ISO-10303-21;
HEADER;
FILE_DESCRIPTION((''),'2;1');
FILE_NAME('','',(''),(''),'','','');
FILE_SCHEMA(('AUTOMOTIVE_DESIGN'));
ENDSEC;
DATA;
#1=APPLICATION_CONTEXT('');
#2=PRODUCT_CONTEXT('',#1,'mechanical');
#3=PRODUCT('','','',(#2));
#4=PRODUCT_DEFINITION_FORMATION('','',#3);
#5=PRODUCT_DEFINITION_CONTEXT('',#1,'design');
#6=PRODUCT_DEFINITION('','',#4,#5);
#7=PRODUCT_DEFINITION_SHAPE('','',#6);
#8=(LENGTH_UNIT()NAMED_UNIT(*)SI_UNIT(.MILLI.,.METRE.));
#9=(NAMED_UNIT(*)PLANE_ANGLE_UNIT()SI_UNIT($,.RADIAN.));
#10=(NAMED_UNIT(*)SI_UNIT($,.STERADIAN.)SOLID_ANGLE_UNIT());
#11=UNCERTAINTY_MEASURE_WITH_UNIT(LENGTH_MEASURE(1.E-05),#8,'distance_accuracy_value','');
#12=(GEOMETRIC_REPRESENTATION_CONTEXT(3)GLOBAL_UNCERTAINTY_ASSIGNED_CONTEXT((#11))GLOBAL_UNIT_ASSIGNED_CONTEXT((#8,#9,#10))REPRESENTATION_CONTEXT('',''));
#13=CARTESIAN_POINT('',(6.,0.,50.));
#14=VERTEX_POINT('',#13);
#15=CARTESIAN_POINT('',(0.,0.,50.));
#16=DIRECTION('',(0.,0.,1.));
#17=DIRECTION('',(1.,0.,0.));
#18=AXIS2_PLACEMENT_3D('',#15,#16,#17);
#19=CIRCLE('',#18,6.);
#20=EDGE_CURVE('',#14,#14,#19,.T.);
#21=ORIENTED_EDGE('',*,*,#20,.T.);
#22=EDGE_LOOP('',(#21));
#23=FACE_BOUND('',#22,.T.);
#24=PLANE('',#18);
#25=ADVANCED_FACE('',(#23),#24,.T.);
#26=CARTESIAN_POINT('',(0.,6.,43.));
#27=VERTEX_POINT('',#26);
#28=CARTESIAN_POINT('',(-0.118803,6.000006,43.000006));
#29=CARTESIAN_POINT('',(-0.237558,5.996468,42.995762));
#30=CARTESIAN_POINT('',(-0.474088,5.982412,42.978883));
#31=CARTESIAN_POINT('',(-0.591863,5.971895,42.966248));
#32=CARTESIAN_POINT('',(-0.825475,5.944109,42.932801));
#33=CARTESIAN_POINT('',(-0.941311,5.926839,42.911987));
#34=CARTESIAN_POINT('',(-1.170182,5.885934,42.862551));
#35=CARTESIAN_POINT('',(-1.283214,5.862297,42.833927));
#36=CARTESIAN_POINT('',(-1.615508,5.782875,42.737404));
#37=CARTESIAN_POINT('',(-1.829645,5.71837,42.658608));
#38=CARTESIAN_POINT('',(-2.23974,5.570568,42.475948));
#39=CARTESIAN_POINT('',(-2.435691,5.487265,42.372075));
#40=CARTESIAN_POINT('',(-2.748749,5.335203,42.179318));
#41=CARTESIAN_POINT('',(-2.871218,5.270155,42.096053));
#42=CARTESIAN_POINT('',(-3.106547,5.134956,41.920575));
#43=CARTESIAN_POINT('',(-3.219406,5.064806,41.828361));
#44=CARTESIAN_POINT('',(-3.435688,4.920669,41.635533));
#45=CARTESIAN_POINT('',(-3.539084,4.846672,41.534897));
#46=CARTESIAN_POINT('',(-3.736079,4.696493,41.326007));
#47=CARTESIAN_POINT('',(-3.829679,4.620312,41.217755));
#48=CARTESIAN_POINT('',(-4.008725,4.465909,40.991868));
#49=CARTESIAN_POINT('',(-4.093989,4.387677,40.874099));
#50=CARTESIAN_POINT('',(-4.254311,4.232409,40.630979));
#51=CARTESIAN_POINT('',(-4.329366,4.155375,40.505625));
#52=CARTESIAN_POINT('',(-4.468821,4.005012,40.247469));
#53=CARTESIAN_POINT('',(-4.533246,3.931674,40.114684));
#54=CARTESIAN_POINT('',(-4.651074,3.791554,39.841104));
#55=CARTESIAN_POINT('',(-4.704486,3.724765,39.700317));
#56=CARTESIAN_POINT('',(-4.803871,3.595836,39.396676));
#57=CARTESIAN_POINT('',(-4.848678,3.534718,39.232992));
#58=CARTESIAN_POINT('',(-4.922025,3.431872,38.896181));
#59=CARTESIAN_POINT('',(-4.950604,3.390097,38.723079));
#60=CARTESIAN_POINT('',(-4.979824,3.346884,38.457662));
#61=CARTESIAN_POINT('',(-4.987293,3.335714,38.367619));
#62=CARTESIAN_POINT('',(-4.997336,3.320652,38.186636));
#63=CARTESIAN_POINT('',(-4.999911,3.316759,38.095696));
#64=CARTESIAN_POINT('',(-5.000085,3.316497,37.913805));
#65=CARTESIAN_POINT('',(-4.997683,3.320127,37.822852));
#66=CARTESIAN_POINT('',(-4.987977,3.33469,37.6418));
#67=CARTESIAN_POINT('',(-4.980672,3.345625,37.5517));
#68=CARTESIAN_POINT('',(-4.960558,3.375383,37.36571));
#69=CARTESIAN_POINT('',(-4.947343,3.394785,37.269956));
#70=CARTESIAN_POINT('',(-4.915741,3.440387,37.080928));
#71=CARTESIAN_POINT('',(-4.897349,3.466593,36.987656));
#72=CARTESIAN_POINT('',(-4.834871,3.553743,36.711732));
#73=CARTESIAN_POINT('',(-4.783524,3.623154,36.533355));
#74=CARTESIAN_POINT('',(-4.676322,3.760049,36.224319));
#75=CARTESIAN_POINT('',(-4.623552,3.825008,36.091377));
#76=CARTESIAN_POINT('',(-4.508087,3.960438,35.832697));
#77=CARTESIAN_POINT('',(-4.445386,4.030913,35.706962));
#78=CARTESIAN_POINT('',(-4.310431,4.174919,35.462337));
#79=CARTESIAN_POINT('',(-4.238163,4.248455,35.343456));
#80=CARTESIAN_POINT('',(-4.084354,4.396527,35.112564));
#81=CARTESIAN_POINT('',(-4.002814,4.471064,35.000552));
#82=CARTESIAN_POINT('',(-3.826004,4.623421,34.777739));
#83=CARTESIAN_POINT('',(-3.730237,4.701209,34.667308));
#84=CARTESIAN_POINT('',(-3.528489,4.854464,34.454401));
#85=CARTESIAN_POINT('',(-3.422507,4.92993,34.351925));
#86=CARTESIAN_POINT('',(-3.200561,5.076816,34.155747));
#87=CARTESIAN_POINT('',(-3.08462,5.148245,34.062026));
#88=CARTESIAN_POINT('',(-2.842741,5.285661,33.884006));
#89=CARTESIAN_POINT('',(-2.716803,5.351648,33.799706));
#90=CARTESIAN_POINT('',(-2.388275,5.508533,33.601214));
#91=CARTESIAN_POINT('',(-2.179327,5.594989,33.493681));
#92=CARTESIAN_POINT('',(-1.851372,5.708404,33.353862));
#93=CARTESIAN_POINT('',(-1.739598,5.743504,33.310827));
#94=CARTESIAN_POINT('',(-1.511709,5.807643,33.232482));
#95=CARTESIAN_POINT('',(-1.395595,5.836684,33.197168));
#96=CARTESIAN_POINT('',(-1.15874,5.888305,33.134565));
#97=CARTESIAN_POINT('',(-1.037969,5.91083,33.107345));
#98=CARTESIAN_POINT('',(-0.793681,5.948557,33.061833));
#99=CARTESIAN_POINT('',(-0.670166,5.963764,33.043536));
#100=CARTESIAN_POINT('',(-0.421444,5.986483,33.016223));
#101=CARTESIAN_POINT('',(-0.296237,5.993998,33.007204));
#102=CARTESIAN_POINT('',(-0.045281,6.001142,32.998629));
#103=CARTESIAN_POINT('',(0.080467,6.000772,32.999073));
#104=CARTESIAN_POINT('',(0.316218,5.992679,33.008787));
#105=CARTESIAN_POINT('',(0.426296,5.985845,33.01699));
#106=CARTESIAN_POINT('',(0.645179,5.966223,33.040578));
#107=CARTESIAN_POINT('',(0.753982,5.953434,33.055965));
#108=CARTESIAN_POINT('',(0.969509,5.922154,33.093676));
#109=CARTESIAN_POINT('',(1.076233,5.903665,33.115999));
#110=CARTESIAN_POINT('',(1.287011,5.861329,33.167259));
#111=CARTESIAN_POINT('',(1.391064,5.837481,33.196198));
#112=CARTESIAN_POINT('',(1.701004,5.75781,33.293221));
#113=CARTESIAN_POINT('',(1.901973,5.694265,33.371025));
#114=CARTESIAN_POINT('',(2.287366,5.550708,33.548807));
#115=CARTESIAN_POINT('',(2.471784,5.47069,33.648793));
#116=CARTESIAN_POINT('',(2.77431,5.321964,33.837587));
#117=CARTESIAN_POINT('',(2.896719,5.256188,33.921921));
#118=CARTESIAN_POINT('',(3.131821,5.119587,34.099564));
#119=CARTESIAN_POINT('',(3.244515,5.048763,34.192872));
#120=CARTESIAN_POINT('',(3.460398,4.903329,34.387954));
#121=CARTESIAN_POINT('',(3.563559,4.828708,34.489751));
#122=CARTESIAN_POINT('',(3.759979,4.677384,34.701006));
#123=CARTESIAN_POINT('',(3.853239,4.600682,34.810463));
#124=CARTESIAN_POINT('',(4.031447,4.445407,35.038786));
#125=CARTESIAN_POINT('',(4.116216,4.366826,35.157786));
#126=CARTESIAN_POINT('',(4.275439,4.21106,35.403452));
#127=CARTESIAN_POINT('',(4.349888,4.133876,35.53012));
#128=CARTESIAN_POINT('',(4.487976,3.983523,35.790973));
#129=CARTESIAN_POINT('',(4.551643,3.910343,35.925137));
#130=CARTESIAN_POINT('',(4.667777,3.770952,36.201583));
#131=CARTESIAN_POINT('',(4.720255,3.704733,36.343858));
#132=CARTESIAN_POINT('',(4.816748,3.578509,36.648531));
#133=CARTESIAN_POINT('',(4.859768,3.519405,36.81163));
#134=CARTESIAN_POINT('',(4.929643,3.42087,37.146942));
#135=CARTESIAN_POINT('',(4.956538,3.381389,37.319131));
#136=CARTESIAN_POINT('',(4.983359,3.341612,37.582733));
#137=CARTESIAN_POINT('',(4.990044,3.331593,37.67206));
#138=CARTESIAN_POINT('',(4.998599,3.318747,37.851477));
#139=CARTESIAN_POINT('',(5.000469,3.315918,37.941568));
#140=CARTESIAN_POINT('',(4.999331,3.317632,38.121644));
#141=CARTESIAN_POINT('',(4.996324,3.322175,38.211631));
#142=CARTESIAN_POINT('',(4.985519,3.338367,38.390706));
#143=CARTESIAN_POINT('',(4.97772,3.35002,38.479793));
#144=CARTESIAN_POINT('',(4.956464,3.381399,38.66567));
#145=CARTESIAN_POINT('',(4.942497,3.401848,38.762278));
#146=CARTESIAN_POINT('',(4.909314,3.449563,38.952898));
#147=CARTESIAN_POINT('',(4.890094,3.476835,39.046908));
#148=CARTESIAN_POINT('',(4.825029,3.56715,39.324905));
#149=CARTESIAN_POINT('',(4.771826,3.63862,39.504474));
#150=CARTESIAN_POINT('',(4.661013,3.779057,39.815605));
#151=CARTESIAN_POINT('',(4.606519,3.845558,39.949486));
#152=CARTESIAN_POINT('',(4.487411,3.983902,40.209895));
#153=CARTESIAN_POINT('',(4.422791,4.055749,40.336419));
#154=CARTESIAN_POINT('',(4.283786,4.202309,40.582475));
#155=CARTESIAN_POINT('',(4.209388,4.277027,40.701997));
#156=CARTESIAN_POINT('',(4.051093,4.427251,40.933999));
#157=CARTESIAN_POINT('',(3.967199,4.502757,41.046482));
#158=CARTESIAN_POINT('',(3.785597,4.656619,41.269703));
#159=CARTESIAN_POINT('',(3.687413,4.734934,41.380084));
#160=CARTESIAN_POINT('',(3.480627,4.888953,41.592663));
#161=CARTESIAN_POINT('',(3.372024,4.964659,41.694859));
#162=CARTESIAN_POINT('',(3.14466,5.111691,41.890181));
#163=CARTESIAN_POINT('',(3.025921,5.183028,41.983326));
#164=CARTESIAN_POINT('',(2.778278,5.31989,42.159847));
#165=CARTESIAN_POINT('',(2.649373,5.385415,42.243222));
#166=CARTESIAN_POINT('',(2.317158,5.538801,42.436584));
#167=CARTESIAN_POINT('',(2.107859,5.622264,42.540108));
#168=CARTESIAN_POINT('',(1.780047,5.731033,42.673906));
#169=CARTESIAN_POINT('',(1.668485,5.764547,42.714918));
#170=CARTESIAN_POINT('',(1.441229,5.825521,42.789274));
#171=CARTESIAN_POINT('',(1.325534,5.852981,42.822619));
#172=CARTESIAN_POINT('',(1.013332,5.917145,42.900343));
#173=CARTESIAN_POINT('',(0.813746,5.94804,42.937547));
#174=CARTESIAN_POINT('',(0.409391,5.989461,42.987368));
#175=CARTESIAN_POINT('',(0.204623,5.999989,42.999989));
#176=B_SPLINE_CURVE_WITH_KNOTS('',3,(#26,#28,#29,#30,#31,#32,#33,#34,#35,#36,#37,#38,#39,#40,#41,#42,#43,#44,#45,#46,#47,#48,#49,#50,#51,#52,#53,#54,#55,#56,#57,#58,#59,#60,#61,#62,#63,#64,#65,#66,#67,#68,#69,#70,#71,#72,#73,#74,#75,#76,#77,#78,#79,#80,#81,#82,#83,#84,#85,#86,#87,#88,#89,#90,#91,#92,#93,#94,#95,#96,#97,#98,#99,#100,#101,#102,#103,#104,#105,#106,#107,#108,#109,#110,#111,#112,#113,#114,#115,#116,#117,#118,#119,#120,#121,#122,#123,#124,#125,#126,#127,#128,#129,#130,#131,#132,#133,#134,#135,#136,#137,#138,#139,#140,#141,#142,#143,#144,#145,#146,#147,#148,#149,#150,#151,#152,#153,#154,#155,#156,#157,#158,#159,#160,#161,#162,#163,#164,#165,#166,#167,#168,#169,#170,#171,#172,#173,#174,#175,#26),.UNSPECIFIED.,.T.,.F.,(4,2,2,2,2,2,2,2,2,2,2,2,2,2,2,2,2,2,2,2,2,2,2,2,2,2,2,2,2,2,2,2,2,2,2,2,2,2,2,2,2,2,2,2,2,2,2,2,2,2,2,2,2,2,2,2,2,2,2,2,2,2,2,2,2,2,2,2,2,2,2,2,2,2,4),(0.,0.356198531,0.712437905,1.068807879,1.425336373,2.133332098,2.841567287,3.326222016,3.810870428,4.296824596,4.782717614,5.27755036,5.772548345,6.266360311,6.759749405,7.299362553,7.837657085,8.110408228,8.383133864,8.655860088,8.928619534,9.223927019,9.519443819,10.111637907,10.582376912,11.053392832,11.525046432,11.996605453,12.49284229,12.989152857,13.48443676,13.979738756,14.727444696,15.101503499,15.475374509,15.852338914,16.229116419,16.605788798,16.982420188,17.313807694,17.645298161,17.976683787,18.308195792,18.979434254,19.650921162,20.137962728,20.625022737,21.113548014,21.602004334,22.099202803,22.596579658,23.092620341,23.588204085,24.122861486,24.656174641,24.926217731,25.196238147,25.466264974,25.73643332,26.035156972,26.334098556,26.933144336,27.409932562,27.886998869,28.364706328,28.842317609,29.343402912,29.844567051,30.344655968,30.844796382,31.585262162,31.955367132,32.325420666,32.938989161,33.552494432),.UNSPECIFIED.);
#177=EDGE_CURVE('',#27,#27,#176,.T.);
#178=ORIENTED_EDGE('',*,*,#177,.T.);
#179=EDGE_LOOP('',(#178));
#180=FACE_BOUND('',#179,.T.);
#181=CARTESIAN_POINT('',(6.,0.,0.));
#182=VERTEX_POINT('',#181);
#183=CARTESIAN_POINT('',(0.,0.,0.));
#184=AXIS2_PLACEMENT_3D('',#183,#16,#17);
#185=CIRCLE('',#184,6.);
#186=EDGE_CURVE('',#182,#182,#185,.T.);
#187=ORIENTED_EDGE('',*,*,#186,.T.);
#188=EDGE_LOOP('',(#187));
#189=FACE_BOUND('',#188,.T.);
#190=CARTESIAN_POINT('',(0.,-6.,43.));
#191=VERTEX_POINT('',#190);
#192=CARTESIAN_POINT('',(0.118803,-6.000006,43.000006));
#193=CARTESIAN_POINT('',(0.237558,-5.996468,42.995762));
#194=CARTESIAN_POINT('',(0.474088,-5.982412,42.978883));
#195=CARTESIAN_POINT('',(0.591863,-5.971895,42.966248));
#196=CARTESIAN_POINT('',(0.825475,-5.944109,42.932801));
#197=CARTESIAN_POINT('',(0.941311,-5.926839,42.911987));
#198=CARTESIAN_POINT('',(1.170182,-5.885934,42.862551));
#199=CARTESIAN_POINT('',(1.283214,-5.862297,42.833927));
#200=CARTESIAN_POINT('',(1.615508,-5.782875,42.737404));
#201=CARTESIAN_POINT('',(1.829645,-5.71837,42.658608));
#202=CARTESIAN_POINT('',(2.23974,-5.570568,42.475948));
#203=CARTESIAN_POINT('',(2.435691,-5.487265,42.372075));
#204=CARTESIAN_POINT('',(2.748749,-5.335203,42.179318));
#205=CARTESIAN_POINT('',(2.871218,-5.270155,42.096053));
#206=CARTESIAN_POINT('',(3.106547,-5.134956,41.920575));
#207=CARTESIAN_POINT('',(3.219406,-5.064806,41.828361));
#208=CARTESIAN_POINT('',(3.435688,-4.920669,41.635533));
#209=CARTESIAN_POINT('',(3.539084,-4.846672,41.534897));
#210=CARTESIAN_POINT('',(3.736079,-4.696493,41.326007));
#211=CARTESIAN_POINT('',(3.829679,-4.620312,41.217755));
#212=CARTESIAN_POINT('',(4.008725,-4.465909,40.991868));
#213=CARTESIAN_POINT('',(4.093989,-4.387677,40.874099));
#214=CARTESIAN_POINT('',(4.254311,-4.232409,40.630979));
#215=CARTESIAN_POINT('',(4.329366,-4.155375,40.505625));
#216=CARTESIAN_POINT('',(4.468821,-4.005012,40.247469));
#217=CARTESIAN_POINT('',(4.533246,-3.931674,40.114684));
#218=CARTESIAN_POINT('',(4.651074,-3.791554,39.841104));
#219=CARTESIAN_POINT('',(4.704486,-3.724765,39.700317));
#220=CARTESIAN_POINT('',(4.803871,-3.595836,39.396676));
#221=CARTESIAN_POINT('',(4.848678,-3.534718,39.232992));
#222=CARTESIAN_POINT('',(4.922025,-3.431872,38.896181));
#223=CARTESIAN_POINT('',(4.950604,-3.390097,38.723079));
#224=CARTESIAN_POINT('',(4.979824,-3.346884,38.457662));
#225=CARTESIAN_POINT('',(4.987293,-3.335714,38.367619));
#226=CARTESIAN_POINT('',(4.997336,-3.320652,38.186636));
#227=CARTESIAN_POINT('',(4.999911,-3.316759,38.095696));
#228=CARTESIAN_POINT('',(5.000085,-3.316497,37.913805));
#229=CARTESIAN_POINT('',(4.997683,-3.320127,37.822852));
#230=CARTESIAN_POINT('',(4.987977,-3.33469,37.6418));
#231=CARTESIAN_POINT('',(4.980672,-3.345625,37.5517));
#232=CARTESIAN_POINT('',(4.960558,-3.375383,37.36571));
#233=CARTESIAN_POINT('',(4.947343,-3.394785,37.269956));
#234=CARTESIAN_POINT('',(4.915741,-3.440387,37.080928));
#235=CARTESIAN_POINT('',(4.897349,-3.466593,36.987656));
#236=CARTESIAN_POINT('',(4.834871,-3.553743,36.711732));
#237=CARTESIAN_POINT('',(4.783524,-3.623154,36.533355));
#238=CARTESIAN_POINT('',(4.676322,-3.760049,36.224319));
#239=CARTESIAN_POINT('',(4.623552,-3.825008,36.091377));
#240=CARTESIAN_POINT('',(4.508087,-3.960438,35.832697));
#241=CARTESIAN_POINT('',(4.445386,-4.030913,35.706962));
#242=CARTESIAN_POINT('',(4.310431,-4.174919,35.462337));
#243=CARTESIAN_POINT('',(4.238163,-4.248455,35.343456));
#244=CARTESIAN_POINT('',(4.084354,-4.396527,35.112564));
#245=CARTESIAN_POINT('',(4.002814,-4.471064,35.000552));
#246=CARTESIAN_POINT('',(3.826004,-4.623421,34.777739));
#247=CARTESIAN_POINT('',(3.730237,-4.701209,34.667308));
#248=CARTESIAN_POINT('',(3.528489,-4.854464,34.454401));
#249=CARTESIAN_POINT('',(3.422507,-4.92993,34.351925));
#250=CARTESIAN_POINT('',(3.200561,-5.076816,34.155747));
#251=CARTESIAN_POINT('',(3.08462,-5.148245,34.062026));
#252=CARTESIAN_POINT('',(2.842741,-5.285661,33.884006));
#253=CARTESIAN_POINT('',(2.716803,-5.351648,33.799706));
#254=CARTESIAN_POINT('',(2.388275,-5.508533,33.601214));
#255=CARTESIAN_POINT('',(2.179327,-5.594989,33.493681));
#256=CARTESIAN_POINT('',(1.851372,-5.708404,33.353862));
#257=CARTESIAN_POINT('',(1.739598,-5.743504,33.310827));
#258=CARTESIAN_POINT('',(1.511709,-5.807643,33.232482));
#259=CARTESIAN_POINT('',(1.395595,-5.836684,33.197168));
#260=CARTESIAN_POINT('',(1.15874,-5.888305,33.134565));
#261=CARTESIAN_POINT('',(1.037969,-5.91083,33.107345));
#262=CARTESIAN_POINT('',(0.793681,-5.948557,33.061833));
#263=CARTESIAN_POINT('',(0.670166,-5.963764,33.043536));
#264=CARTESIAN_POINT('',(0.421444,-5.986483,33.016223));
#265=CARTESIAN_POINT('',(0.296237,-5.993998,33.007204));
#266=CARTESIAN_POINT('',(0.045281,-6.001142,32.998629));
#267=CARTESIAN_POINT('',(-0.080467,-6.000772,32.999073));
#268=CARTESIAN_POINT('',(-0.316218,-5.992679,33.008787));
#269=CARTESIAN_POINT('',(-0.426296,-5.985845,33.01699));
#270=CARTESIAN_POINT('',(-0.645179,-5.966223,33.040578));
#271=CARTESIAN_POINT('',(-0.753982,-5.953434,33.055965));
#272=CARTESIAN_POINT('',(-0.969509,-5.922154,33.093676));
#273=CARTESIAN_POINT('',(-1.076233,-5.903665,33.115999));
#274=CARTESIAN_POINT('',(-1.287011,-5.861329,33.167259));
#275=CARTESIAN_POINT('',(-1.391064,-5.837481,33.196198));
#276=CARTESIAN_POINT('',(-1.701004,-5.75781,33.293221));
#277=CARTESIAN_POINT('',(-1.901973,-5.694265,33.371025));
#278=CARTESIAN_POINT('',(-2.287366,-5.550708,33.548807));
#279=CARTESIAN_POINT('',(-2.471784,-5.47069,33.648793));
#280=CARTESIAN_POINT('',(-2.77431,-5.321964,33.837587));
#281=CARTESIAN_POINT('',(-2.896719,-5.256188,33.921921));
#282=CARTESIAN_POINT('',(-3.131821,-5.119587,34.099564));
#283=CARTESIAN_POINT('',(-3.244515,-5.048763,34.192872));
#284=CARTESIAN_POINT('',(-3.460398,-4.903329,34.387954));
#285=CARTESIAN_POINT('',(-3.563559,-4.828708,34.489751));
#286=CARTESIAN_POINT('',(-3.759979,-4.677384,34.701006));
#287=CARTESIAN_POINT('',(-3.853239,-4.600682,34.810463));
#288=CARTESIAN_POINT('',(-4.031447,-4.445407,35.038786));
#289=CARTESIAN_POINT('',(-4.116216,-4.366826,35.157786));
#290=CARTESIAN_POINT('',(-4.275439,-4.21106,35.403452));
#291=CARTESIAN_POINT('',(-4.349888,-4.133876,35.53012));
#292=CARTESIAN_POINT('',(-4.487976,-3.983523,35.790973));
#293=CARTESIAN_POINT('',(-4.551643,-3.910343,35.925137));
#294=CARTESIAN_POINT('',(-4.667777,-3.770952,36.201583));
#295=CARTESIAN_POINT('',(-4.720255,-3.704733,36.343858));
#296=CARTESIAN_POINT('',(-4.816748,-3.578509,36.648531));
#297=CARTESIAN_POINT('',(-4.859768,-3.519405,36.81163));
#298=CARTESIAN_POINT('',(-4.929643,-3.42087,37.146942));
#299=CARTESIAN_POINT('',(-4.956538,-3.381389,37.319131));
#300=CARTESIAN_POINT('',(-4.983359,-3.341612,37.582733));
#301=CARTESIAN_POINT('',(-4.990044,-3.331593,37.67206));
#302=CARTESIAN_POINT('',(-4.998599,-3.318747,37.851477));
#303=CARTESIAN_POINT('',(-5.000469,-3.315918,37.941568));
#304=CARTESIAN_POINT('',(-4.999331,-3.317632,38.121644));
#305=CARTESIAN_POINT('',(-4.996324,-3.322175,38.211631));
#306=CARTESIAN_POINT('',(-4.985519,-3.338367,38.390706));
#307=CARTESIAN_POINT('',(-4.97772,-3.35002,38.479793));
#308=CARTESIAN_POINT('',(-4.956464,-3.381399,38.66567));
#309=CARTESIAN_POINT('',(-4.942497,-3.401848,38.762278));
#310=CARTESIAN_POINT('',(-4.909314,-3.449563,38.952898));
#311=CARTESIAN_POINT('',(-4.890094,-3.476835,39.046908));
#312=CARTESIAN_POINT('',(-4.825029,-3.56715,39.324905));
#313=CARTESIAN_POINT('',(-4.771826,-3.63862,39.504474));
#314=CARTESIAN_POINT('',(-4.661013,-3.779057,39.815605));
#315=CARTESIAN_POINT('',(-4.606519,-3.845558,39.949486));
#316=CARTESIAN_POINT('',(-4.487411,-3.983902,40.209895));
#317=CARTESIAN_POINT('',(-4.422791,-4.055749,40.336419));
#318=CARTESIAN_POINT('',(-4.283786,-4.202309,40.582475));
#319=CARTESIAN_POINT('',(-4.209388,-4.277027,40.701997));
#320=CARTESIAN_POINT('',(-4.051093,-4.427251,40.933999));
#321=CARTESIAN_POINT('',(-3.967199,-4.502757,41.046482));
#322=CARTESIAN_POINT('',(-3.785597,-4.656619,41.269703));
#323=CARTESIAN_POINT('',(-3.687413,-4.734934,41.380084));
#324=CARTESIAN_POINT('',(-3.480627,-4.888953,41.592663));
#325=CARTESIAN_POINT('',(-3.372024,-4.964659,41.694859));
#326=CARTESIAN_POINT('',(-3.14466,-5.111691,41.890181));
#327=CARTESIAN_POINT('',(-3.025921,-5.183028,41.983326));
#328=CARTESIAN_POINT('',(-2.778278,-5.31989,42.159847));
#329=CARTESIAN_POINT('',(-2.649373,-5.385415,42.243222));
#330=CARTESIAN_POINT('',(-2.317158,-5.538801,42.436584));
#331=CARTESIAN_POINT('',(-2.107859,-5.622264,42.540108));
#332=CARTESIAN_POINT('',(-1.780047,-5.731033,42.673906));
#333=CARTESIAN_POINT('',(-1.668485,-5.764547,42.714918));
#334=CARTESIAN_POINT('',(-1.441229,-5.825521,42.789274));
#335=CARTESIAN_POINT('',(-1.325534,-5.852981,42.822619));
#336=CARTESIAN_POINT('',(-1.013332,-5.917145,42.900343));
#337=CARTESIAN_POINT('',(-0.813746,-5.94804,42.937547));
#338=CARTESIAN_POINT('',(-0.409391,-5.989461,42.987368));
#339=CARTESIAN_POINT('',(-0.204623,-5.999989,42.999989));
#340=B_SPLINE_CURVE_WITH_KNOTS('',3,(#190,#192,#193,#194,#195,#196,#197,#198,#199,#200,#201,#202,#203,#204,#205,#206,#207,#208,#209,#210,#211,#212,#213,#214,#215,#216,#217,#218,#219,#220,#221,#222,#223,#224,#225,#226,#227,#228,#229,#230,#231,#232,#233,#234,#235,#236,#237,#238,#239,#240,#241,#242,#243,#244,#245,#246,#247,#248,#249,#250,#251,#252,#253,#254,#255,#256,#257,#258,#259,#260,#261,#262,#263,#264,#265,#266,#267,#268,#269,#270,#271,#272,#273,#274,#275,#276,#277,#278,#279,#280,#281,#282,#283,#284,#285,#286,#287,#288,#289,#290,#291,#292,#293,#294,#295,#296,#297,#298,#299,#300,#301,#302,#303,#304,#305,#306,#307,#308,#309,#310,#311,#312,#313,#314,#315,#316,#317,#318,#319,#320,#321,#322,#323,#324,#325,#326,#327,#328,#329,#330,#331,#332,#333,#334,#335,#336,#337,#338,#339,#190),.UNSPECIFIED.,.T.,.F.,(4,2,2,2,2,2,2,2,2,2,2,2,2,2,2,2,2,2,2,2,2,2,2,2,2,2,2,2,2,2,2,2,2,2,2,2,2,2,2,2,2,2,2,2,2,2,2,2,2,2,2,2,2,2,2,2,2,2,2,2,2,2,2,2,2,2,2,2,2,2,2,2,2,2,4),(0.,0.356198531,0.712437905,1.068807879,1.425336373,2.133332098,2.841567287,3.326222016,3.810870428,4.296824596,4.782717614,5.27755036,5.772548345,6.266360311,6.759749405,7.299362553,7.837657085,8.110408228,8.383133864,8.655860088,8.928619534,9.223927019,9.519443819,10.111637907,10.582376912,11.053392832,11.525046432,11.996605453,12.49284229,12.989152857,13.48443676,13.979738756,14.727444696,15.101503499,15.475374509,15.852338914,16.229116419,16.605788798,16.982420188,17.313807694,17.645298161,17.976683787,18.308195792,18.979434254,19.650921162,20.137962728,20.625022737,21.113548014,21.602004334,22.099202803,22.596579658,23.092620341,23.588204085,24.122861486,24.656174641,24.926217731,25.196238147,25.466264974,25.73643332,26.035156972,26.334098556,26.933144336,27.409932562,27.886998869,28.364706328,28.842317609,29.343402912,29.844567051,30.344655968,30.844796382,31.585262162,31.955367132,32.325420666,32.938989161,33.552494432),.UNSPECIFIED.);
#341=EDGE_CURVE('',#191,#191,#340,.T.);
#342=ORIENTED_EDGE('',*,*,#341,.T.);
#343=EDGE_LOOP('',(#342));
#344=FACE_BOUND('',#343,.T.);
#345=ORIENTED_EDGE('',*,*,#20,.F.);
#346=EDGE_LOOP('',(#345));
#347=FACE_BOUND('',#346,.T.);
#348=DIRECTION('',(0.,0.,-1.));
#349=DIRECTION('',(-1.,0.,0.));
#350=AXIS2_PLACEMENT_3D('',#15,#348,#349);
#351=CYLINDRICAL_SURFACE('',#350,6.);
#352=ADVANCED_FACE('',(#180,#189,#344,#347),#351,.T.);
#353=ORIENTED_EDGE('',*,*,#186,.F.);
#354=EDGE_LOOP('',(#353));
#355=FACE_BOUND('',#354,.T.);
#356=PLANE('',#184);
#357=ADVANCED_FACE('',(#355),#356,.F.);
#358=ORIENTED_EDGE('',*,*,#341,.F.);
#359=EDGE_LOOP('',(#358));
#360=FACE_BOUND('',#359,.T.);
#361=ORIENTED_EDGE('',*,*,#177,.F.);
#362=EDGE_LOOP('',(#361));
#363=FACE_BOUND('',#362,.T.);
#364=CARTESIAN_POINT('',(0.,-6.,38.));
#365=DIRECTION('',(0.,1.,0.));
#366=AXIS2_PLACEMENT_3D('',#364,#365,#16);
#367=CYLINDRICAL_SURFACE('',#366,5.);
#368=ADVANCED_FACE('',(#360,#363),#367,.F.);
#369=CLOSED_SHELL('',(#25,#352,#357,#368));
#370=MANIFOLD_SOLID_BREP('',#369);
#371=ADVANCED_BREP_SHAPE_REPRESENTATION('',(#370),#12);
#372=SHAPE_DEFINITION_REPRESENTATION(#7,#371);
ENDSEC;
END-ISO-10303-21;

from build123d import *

# Parameters (mm, degrees)
SKETCH1_R               = 6
BOSS_EXTRUDE1_DEPTH     = 50
SKETCH2_R               = 5
CUT_EXTRUDE1_DEPTH      = 7
CUT_EXTRUDE1_DEPTH_BACK = 7


with BuildPart() as part:
    # Sketch1 → Boss-Extrude1 (new body)
    with BuildSketch(Plane.XY):
        Circle(SKETCH1_R)
    extrude(amount=BOSS_EXTRUDE1_DEPTH)

    # Sketch2 → Cut-Extrude1 (cut, two sides)
    with BuildSketch(Plane(origin=(0, 0, 0), x_dir=(1, 0, 0), z_dir=(0, 1, 0))) as cut_extrude1_sk:
        with Locations((0, -38)):
            Circle(SKETCH2_R)
    extrude(amount=CUT_EXTRUDE1_DEPTH, mode=Mode.SUBTRACT)
    extrude(cut_extrude1_sk.sketch, amount=-CUT_EXTRUDE1_DEPTH_BACK, mode=Mode.SUBTRACT)


solid = part.part
